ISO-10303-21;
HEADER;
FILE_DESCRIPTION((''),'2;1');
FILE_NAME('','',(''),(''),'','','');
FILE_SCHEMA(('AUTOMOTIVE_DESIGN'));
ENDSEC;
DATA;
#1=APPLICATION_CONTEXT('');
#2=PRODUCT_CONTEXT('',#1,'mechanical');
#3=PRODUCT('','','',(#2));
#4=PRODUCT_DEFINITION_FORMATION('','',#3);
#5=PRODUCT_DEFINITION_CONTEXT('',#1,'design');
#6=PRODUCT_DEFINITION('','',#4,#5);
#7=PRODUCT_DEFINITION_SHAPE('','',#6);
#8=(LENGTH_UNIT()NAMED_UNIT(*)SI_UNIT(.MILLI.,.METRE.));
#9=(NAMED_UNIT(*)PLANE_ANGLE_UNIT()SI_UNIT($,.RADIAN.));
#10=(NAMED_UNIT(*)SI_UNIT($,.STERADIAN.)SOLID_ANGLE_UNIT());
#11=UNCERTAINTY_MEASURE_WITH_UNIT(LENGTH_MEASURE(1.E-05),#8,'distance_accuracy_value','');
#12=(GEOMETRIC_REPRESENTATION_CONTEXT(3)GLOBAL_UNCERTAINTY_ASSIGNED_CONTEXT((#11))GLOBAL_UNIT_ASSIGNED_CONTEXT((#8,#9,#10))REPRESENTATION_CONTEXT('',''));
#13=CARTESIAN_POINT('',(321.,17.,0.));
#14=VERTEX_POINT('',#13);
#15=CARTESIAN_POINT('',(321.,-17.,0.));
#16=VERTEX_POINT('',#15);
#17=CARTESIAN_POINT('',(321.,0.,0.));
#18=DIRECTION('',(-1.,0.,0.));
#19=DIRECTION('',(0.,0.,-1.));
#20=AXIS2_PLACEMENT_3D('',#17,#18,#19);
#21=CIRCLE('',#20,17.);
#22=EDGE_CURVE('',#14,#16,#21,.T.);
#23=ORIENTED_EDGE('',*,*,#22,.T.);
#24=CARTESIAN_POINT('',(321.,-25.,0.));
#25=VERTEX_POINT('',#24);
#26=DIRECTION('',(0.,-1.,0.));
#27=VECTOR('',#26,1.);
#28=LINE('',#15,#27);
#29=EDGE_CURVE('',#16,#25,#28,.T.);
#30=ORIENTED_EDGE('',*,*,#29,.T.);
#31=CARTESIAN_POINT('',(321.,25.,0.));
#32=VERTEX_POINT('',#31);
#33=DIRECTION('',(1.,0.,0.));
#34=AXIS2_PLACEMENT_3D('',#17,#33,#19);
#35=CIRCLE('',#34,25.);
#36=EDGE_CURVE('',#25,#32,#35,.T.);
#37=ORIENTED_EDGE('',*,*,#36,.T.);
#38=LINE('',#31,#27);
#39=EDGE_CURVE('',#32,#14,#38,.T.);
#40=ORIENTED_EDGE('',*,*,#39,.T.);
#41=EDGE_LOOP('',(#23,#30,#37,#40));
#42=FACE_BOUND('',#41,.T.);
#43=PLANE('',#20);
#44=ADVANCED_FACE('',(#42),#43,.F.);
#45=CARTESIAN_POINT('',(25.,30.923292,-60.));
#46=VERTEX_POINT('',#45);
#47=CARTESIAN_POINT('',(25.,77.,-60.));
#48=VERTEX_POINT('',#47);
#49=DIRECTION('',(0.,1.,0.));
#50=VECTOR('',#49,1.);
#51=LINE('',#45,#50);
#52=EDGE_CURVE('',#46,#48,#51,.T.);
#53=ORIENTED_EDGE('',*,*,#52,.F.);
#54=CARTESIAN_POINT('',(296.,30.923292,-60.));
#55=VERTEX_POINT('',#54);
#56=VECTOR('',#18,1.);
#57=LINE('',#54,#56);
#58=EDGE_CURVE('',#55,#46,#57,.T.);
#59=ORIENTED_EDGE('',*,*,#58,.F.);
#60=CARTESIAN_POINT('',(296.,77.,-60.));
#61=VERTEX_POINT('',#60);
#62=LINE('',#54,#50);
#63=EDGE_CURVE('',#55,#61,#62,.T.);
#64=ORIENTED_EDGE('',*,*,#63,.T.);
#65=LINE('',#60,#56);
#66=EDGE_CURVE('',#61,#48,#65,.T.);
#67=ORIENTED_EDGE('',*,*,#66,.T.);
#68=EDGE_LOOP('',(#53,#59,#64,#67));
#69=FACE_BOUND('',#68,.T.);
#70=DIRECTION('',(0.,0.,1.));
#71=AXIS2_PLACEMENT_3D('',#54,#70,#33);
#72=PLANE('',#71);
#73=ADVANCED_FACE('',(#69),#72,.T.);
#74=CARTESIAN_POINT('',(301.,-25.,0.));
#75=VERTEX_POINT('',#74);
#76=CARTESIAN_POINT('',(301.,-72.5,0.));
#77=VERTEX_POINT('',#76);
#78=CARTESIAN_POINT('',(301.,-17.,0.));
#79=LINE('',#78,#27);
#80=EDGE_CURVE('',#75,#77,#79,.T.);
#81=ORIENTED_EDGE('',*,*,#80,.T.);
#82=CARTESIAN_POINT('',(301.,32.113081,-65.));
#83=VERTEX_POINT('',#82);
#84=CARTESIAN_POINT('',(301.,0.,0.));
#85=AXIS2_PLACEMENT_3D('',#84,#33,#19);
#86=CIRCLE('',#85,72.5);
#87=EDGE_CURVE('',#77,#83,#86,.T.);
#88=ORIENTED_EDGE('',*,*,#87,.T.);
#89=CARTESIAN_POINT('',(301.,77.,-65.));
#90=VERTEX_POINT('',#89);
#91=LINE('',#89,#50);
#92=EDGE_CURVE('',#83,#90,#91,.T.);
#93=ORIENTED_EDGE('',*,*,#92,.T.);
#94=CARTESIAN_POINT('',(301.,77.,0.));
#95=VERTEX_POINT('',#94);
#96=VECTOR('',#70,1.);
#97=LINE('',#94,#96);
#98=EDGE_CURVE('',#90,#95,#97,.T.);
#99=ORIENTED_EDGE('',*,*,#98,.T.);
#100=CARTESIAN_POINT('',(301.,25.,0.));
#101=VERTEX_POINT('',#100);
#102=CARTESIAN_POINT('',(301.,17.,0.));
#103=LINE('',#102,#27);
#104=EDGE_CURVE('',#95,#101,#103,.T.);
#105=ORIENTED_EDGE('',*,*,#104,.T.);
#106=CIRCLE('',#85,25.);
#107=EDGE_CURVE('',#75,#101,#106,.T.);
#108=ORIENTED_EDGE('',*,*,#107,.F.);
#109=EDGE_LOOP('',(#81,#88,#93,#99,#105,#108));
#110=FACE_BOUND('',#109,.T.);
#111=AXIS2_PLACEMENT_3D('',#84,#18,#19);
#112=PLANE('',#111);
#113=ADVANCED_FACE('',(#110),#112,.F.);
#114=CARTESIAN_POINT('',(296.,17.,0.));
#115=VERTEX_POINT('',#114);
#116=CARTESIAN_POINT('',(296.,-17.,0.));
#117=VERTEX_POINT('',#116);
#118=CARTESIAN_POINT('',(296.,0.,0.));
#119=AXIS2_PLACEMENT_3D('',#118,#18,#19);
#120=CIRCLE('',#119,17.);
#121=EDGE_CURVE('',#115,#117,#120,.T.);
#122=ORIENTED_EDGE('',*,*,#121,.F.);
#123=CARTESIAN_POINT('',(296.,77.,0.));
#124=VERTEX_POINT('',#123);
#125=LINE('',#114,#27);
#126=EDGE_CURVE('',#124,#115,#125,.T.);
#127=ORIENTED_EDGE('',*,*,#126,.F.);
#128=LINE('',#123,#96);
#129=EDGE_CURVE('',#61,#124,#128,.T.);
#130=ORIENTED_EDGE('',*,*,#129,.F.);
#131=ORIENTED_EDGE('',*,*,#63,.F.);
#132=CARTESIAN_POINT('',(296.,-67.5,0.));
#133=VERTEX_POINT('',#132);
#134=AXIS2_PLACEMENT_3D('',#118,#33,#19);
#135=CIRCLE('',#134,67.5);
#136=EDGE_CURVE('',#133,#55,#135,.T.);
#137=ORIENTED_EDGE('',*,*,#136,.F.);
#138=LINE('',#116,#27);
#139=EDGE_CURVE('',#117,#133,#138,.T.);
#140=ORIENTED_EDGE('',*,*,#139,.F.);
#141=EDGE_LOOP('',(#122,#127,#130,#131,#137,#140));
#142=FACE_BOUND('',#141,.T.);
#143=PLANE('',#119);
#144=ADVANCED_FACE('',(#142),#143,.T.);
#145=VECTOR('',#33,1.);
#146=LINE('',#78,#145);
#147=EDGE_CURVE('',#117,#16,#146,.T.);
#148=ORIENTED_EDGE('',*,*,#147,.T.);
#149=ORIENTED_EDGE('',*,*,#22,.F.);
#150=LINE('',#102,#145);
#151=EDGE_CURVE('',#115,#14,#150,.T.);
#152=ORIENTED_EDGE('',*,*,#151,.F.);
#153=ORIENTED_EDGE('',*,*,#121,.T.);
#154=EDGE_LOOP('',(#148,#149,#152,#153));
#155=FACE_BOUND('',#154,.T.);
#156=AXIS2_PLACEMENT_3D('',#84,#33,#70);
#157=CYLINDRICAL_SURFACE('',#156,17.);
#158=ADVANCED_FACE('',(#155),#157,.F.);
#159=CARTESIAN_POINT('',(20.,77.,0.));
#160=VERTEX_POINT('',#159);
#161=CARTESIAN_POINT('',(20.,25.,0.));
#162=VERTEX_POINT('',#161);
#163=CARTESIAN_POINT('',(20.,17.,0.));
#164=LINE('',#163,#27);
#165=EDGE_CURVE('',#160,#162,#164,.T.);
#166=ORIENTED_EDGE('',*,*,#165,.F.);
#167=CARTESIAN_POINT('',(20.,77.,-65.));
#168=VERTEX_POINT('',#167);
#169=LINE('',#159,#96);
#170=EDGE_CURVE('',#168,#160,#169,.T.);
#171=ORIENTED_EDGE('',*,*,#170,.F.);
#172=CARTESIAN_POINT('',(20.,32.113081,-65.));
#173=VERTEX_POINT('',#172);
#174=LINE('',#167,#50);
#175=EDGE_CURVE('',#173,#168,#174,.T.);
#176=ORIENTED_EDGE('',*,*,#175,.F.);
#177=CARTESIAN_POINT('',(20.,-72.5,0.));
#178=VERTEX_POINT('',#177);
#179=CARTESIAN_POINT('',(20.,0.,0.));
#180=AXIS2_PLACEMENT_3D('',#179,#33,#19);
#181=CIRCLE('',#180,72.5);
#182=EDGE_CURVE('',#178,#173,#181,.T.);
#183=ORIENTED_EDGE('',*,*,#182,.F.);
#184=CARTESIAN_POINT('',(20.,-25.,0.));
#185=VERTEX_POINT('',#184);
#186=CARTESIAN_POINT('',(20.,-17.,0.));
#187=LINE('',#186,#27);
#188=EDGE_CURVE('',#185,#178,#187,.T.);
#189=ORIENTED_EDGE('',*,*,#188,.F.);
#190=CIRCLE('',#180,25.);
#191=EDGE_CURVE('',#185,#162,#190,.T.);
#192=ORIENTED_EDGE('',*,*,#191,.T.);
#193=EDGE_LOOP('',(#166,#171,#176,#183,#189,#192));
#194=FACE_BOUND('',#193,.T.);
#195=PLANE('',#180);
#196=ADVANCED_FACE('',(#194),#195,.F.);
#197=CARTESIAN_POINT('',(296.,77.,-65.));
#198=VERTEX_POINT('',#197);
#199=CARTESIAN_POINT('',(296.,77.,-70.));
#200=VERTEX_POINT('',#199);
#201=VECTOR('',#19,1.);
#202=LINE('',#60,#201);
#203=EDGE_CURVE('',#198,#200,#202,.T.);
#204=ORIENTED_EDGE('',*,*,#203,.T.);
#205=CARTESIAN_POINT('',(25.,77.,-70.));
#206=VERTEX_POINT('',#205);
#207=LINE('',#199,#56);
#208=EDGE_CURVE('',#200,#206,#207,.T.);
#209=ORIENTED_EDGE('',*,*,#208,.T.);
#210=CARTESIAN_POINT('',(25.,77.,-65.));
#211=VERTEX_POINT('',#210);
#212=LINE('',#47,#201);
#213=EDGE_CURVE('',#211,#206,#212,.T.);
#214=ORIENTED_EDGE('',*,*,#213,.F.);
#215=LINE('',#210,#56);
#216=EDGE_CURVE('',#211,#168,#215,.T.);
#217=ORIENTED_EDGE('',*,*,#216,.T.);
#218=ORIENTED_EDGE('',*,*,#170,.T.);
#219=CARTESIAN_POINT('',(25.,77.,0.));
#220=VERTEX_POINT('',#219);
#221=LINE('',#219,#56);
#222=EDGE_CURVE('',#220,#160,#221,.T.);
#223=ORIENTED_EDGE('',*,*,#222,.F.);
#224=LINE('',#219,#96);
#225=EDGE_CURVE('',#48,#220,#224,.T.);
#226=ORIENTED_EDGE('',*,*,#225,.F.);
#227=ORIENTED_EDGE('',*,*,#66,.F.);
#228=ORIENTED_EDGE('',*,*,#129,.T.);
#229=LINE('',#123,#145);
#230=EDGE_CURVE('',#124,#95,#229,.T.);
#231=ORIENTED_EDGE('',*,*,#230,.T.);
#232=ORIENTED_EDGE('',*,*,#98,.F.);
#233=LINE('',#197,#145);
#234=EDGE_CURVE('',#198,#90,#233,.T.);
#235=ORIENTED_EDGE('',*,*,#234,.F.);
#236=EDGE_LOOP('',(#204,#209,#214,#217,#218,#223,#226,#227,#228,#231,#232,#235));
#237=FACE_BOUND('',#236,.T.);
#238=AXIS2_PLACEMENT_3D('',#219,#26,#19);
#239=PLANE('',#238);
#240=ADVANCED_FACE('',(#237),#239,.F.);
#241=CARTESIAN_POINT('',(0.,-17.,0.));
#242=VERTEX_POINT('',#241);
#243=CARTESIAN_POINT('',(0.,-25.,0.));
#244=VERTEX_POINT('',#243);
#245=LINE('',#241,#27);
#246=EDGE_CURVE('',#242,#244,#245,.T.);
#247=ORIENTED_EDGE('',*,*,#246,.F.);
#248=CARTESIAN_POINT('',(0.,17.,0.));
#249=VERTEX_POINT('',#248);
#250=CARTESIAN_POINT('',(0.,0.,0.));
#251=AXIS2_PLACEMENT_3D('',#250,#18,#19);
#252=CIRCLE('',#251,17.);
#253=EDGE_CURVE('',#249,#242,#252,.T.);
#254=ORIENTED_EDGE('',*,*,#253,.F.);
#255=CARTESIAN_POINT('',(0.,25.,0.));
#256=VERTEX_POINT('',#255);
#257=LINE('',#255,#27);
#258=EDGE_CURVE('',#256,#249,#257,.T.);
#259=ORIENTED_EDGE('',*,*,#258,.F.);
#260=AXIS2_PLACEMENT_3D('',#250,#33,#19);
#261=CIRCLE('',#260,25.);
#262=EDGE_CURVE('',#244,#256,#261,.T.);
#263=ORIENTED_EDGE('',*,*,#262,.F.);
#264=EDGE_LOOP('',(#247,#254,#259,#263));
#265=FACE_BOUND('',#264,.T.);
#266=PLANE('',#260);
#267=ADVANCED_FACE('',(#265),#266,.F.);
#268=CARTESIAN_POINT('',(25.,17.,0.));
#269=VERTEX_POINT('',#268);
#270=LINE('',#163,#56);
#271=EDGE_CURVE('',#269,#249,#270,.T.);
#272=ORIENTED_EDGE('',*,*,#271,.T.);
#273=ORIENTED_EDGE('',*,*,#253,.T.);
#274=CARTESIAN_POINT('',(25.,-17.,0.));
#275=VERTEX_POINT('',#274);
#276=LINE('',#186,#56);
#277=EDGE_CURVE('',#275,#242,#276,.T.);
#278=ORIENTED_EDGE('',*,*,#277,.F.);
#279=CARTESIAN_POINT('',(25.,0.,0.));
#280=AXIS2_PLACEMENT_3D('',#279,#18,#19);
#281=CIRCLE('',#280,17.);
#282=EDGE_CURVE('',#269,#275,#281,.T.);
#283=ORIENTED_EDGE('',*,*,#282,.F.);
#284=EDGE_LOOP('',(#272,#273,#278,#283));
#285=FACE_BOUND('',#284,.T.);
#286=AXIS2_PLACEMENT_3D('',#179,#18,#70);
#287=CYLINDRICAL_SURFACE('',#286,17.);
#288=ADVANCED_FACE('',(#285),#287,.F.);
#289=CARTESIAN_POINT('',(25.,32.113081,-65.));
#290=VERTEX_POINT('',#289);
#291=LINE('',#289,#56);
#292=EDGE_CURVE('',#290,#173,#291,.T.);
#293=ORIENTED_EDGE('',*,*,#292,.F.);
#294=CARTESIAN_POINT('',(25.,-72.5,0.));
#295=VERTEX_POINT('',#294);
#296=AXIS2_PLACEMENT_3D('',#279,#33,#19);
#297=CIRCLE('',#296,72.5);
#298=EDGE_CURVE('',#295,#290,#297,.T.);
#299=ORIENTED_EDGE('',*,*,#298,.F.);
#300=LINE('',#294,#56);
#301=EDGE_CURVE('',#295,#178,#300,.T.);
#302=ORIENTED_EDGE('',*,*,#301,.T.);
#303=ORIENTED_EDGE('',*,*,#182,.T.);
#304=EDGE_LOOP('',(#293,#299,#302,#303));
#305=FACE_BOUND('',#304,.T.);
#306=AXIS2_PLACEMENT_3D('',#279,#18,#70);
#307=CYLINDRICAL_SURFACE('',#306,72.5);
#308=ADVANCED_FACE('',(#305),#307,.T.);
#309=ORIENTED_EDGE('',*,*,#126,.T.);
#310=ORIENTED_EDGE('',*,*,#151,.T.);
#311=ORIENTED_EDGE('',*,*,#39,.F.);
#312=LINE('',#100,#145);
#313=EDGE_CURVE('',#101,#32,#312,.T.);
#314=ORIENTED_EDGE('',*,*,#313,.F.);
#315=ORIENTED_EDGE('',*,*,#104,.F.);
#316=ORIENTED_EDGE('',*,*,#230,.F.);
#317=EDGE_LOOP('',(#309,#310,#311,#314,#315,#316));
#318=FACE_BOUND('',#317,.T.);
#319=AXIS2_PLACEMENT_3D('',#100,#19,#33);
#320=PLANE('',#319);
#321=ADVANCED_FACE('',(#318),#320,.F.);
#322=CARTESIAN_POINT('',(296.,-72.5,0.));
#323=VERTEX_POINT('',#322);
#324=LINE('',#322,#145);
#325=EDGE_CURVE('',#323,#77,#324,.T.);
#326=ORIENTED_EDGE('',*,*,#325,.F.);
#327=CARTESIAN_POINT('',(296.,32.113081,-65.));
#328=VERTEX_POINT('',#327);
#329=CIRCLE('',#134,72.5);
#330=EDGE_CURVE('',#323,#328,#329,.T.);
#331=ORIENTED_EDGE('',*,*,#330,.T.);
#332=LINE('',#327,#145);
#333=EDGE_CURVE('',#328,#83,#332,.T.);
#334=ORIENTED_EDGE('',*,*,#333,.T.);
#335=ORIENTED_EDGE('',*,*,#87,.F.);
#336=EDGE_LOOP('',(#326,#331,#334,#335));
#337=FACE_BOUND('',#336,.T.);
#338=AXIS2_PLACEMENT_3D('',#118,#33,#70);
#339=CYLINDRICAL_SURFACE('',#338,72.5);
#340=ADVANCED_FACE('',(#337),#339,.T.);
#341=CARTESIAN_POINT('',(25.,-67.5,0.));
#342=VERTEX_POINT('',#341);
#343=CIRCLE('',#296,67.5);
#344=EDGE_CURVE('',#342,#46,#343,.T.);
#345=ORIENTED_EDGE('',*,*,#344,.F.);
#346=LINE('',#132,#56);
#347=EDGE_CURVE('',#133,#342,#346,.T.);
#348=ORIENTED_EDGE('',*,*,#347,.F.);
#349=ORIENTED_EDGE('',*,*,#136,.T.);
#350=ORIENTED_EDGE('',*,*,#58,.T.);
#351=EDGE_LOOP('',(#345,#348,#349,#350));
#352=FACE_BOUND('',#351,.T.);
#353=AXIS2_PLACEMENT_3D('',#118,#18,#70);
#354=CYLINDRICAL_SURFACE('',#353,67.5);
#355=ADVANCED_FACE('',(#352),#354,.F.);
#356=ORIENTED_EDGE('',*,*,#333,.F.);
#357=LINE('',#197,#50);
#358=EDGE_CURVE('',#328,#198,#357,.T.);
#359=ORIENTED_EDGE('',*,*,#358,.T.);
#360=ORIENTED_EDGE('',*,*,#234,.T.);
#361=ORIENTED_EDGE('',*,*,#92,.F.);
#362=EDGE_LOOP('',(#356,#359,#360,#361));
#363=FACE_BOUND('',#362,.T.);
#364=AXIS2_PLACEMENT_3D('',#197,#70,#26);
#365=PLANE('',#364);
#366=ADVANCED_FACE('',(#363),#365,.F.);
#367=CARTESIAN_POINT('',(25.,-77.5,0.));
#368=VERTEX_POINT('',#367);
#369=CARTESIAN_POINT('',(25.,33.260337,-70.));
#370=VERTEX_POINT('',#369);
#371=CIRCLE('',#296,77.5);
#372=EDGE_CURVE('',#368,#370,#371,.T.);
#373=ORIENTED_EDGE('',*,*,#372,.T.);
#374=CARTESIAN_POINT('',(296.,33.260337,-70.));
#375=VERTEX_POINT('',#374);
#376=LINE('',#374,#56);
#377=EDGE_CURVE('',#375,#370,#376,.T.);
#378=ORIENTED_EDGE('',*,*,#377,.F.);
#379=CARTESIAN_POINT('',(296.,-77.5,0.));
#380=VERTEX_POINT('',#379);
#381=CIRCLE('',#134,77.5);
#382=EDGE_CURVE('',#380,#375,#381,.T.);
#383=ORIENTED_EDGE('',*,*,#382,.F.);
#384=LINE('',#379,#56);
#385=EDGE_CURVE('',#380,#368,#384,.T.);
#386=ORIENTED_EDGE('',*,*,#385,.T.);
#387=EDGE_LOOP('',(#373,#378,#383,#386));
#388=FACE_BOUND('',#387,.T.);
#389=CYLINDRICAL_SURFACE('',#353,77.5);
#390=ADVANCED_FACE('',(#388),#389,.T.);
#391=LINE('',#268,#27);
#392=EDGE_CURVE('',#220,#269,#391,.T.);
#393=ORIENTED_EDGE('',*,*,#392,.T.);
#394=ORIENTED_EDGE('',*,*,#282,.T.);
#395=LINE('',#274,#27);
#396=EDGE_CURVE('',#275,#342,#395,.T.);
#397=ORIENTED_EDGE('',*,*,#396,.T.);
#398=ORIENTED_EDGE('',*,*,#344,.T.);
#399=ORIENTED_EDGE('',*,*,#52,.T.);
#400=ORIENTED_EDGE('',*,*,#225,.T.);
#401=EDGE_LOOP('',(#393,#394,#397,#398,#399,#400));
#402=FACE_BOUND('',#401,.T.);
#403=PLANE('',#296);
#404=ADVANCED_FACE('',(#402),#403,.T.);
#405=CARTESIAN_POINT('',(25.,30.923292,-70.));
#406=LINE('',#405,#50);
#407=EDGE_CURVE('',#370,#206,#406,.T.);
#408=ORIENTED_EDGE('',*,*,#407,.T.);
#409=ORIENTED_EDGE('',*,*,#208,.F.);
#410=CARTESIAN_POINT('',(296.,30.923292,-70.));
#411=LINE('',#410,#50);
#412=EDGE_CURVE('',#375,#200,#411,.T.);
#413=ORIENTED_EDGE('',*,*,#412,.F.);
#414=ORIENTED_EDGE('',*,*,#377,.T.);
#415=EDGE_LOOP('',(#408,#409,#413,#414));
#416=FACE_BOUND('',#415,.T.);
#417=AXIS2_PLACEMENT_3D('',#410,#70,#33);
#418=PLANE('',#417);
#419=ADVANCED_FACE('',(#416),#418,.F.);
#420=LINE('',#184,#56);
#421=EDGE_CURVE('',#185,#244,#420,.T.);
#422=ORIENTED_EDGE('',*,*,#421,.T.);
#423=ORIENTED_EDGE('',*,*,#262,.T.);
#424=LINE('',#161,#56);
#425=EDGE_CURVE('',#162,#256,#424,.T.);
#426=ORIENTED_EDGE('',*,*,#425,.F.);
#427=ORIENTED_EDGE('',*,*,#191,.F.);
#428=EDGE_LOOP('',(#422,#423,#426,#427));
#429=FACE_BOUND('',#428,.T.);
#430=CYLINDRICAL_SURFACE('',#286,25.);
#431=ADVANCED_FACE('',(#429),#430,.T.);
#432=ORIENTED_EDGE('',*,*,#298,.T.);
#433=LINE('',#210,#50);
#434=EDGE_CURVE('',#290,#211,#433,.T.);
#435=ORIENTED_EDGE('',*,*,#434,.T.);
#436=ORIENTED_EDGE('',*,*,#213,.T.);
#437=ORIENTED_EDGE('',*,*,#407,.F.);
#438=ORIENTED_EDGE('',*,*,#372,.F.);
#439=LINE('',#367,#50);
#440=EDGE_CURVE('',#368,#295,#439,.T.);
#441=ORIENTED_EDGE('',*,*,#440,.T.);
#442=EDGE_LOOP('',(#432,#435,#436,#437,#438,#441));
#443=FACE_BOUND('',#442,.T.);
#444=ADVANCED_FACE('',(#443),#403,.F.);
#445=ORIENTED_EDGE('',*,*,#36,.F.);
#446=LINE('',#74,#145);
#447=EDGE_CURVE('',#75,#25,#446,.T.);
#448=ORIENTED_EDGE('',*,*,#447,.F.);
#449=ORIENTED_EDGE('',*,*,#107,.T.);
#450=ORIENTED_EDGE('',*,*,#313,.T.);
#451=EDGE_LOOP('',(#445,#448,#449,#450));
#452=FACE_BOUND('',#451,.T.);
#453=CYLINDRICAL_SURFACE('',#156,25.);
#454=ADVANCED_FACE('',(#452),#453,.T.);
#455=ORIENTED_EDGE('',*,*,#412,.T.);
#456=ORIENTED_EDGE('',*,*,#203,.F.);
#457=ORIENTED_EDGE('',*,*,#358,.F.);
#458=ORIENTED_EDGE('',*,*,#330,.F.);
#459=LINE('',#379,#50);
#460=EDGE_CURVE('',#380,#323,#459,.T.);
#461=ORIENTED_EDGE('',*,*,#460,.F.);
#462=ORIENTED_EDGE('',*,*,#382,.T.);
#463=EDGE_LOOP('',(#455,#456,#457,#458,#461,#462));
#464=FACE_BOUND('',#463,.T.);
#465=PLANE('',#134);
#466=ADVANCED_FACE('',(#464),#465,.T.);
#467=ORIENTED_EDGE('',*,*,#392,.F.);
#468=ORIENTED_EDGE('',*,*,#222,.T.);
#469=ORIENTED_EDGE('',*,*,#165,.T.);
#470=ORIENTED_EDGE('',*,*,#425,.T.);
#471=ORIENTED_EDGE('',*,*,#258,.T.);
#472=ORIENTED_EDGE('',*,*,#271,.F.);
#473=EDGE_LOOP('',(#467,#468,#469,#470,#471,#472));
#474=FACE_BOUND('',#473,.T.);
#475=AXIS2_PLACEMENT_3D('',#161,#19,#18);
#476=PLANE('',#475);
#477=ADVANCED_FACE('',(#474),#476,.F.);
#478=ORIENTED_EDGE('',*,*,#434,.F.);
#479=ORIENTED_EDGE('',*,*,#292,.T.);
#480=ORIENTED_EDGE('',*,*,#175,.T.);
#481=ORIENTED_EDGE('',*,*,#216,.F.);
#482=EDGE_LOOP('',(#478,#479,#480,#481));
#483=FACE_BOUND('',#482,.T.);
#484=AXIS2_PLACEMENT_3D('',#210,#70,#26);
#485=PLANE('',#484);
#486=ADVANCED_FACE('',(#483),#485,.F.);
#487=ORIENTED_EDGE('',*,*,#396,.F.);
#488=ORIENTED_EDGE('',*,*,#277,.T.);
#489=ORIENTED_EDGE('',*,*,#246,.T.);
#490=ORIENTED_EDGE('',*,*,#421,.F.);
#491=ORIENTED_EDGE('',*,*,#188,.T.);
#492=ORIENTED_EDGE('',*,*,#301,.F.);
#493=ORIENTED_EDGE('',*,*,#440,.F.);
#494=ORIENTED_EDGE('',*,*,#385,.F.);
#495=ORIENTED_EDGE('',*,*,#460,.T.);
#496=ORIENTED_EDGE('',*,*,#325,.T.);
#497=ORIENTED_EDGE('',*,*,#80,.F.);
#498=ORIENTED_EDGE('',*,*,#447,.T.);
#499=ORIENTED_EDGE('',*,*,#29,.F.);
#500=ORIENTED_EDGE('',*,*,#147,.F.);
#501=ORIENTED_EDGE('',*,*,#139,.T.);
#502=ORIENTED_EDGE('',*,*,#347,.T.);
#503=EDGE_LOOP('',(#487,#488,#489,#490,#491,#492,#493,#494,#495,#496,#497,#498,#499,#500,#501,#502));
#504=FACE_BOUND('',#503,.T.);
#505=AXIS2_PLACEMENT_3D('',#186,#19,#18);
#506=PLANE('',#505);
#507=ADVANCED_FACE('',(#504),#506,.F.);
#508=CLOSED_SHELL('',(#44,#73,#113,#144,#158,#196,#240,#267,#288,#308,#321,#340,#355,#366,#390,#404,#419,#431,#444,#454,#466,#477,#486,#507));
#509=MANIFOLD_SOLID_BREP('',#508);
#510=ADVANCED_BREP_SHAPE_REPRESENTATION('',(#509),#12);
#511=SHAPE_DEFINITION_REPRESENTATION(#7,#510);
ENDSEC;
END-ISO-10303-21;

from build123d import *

# Parameters (mm, degrees)
Y_KSEKLIK_EKSTR_ZYON1_DEPTH = 20
Y_KSEKLIK_EKSTR_ZYON2_DEPTH = 5
EKSTR_ZYON_NCE4_DEPTH       = 271


with BuildPart() as part:
    # Çizim1 → Yükseklik-Ekstrüzyon1 (new body)
    with BuildSketch(Plane(origin=(0, 0, 0), x_dir=(0, 0, -1), z_dir=(1, 0, 0))):
        with BuildLine():
            Line((0, 25), (0, 17))
            ThreePointArc((0, 17), (17, 0), (0, -17))
            Line((0, -17), (0, -25))
            ThreePointArc((0, -25), (25, 0), (0, 25))
        make_face()
    extrude(amount=Y_KSEKLIK_EKSTR_ZYON1_DEPTH)

    # Çizim2 → Yükseklik-Ekstrüzyon2 (add)
    with BuildSketch(Plane(origin=(20, 0, 0), x_dir=(0, 0, -1), z_dir=(1, 0, 0))):
        with BuildLine():
            Line((0, 17), (0, 77))
            Line((0, 77), (65, 77))
            Line((65, 77), (65, 32.113081447))
            ThreePointArc((65, 32.113081447), (61.581037686, -38.262590053), (0, -72.5))
            Line((0, -72.5), (0, -17))
            ThreePointArc((0, -17), (17, 0), (0, 17))
        make_face()
    extrude(amount=Y_KSEKLIK_EKSTR_ZYON2_DEPTH)


with BuildPart() as body_2:
    # Aynalama4: mirrored copy
    add(part.part.mirror(Plane(origin=(160.5, 0, 0), x_dir=(0, 0, 1), z_dir=(1, 0, 0))))


with BuildPart() as part_1:
    add(part.part)

    add(body_2.part)  # Ekstrüzyon-İnce4 merges body 2
    # Çizim9 → Ekstrüzyon-İnce4 (add)
    with BuildSketch(Plane(origin=(25, 0, 0), x_dir=(0, 0, -1), z_dir=(1, 0, 0))):
        with BuildLine():
            ThreePointArc((0, -67.5), (57.634938288, -35.134938288), (60, 30.923292192))
            Line((60, 30.923292192), (60, 77))
            Line((60, 77), (70, 77))
            Line((70, 77), (70, 33.260336739))
            ThreePointArc((70, 33.260336739), (65.513075402, -41.4039485), (0, -77.5))
            Line((0, -77.5), (0, -67.5))
        make_face()
    extrude(amount=EKSTR_ZYON_NCE4_DEPTH)


solid = part_1.part
